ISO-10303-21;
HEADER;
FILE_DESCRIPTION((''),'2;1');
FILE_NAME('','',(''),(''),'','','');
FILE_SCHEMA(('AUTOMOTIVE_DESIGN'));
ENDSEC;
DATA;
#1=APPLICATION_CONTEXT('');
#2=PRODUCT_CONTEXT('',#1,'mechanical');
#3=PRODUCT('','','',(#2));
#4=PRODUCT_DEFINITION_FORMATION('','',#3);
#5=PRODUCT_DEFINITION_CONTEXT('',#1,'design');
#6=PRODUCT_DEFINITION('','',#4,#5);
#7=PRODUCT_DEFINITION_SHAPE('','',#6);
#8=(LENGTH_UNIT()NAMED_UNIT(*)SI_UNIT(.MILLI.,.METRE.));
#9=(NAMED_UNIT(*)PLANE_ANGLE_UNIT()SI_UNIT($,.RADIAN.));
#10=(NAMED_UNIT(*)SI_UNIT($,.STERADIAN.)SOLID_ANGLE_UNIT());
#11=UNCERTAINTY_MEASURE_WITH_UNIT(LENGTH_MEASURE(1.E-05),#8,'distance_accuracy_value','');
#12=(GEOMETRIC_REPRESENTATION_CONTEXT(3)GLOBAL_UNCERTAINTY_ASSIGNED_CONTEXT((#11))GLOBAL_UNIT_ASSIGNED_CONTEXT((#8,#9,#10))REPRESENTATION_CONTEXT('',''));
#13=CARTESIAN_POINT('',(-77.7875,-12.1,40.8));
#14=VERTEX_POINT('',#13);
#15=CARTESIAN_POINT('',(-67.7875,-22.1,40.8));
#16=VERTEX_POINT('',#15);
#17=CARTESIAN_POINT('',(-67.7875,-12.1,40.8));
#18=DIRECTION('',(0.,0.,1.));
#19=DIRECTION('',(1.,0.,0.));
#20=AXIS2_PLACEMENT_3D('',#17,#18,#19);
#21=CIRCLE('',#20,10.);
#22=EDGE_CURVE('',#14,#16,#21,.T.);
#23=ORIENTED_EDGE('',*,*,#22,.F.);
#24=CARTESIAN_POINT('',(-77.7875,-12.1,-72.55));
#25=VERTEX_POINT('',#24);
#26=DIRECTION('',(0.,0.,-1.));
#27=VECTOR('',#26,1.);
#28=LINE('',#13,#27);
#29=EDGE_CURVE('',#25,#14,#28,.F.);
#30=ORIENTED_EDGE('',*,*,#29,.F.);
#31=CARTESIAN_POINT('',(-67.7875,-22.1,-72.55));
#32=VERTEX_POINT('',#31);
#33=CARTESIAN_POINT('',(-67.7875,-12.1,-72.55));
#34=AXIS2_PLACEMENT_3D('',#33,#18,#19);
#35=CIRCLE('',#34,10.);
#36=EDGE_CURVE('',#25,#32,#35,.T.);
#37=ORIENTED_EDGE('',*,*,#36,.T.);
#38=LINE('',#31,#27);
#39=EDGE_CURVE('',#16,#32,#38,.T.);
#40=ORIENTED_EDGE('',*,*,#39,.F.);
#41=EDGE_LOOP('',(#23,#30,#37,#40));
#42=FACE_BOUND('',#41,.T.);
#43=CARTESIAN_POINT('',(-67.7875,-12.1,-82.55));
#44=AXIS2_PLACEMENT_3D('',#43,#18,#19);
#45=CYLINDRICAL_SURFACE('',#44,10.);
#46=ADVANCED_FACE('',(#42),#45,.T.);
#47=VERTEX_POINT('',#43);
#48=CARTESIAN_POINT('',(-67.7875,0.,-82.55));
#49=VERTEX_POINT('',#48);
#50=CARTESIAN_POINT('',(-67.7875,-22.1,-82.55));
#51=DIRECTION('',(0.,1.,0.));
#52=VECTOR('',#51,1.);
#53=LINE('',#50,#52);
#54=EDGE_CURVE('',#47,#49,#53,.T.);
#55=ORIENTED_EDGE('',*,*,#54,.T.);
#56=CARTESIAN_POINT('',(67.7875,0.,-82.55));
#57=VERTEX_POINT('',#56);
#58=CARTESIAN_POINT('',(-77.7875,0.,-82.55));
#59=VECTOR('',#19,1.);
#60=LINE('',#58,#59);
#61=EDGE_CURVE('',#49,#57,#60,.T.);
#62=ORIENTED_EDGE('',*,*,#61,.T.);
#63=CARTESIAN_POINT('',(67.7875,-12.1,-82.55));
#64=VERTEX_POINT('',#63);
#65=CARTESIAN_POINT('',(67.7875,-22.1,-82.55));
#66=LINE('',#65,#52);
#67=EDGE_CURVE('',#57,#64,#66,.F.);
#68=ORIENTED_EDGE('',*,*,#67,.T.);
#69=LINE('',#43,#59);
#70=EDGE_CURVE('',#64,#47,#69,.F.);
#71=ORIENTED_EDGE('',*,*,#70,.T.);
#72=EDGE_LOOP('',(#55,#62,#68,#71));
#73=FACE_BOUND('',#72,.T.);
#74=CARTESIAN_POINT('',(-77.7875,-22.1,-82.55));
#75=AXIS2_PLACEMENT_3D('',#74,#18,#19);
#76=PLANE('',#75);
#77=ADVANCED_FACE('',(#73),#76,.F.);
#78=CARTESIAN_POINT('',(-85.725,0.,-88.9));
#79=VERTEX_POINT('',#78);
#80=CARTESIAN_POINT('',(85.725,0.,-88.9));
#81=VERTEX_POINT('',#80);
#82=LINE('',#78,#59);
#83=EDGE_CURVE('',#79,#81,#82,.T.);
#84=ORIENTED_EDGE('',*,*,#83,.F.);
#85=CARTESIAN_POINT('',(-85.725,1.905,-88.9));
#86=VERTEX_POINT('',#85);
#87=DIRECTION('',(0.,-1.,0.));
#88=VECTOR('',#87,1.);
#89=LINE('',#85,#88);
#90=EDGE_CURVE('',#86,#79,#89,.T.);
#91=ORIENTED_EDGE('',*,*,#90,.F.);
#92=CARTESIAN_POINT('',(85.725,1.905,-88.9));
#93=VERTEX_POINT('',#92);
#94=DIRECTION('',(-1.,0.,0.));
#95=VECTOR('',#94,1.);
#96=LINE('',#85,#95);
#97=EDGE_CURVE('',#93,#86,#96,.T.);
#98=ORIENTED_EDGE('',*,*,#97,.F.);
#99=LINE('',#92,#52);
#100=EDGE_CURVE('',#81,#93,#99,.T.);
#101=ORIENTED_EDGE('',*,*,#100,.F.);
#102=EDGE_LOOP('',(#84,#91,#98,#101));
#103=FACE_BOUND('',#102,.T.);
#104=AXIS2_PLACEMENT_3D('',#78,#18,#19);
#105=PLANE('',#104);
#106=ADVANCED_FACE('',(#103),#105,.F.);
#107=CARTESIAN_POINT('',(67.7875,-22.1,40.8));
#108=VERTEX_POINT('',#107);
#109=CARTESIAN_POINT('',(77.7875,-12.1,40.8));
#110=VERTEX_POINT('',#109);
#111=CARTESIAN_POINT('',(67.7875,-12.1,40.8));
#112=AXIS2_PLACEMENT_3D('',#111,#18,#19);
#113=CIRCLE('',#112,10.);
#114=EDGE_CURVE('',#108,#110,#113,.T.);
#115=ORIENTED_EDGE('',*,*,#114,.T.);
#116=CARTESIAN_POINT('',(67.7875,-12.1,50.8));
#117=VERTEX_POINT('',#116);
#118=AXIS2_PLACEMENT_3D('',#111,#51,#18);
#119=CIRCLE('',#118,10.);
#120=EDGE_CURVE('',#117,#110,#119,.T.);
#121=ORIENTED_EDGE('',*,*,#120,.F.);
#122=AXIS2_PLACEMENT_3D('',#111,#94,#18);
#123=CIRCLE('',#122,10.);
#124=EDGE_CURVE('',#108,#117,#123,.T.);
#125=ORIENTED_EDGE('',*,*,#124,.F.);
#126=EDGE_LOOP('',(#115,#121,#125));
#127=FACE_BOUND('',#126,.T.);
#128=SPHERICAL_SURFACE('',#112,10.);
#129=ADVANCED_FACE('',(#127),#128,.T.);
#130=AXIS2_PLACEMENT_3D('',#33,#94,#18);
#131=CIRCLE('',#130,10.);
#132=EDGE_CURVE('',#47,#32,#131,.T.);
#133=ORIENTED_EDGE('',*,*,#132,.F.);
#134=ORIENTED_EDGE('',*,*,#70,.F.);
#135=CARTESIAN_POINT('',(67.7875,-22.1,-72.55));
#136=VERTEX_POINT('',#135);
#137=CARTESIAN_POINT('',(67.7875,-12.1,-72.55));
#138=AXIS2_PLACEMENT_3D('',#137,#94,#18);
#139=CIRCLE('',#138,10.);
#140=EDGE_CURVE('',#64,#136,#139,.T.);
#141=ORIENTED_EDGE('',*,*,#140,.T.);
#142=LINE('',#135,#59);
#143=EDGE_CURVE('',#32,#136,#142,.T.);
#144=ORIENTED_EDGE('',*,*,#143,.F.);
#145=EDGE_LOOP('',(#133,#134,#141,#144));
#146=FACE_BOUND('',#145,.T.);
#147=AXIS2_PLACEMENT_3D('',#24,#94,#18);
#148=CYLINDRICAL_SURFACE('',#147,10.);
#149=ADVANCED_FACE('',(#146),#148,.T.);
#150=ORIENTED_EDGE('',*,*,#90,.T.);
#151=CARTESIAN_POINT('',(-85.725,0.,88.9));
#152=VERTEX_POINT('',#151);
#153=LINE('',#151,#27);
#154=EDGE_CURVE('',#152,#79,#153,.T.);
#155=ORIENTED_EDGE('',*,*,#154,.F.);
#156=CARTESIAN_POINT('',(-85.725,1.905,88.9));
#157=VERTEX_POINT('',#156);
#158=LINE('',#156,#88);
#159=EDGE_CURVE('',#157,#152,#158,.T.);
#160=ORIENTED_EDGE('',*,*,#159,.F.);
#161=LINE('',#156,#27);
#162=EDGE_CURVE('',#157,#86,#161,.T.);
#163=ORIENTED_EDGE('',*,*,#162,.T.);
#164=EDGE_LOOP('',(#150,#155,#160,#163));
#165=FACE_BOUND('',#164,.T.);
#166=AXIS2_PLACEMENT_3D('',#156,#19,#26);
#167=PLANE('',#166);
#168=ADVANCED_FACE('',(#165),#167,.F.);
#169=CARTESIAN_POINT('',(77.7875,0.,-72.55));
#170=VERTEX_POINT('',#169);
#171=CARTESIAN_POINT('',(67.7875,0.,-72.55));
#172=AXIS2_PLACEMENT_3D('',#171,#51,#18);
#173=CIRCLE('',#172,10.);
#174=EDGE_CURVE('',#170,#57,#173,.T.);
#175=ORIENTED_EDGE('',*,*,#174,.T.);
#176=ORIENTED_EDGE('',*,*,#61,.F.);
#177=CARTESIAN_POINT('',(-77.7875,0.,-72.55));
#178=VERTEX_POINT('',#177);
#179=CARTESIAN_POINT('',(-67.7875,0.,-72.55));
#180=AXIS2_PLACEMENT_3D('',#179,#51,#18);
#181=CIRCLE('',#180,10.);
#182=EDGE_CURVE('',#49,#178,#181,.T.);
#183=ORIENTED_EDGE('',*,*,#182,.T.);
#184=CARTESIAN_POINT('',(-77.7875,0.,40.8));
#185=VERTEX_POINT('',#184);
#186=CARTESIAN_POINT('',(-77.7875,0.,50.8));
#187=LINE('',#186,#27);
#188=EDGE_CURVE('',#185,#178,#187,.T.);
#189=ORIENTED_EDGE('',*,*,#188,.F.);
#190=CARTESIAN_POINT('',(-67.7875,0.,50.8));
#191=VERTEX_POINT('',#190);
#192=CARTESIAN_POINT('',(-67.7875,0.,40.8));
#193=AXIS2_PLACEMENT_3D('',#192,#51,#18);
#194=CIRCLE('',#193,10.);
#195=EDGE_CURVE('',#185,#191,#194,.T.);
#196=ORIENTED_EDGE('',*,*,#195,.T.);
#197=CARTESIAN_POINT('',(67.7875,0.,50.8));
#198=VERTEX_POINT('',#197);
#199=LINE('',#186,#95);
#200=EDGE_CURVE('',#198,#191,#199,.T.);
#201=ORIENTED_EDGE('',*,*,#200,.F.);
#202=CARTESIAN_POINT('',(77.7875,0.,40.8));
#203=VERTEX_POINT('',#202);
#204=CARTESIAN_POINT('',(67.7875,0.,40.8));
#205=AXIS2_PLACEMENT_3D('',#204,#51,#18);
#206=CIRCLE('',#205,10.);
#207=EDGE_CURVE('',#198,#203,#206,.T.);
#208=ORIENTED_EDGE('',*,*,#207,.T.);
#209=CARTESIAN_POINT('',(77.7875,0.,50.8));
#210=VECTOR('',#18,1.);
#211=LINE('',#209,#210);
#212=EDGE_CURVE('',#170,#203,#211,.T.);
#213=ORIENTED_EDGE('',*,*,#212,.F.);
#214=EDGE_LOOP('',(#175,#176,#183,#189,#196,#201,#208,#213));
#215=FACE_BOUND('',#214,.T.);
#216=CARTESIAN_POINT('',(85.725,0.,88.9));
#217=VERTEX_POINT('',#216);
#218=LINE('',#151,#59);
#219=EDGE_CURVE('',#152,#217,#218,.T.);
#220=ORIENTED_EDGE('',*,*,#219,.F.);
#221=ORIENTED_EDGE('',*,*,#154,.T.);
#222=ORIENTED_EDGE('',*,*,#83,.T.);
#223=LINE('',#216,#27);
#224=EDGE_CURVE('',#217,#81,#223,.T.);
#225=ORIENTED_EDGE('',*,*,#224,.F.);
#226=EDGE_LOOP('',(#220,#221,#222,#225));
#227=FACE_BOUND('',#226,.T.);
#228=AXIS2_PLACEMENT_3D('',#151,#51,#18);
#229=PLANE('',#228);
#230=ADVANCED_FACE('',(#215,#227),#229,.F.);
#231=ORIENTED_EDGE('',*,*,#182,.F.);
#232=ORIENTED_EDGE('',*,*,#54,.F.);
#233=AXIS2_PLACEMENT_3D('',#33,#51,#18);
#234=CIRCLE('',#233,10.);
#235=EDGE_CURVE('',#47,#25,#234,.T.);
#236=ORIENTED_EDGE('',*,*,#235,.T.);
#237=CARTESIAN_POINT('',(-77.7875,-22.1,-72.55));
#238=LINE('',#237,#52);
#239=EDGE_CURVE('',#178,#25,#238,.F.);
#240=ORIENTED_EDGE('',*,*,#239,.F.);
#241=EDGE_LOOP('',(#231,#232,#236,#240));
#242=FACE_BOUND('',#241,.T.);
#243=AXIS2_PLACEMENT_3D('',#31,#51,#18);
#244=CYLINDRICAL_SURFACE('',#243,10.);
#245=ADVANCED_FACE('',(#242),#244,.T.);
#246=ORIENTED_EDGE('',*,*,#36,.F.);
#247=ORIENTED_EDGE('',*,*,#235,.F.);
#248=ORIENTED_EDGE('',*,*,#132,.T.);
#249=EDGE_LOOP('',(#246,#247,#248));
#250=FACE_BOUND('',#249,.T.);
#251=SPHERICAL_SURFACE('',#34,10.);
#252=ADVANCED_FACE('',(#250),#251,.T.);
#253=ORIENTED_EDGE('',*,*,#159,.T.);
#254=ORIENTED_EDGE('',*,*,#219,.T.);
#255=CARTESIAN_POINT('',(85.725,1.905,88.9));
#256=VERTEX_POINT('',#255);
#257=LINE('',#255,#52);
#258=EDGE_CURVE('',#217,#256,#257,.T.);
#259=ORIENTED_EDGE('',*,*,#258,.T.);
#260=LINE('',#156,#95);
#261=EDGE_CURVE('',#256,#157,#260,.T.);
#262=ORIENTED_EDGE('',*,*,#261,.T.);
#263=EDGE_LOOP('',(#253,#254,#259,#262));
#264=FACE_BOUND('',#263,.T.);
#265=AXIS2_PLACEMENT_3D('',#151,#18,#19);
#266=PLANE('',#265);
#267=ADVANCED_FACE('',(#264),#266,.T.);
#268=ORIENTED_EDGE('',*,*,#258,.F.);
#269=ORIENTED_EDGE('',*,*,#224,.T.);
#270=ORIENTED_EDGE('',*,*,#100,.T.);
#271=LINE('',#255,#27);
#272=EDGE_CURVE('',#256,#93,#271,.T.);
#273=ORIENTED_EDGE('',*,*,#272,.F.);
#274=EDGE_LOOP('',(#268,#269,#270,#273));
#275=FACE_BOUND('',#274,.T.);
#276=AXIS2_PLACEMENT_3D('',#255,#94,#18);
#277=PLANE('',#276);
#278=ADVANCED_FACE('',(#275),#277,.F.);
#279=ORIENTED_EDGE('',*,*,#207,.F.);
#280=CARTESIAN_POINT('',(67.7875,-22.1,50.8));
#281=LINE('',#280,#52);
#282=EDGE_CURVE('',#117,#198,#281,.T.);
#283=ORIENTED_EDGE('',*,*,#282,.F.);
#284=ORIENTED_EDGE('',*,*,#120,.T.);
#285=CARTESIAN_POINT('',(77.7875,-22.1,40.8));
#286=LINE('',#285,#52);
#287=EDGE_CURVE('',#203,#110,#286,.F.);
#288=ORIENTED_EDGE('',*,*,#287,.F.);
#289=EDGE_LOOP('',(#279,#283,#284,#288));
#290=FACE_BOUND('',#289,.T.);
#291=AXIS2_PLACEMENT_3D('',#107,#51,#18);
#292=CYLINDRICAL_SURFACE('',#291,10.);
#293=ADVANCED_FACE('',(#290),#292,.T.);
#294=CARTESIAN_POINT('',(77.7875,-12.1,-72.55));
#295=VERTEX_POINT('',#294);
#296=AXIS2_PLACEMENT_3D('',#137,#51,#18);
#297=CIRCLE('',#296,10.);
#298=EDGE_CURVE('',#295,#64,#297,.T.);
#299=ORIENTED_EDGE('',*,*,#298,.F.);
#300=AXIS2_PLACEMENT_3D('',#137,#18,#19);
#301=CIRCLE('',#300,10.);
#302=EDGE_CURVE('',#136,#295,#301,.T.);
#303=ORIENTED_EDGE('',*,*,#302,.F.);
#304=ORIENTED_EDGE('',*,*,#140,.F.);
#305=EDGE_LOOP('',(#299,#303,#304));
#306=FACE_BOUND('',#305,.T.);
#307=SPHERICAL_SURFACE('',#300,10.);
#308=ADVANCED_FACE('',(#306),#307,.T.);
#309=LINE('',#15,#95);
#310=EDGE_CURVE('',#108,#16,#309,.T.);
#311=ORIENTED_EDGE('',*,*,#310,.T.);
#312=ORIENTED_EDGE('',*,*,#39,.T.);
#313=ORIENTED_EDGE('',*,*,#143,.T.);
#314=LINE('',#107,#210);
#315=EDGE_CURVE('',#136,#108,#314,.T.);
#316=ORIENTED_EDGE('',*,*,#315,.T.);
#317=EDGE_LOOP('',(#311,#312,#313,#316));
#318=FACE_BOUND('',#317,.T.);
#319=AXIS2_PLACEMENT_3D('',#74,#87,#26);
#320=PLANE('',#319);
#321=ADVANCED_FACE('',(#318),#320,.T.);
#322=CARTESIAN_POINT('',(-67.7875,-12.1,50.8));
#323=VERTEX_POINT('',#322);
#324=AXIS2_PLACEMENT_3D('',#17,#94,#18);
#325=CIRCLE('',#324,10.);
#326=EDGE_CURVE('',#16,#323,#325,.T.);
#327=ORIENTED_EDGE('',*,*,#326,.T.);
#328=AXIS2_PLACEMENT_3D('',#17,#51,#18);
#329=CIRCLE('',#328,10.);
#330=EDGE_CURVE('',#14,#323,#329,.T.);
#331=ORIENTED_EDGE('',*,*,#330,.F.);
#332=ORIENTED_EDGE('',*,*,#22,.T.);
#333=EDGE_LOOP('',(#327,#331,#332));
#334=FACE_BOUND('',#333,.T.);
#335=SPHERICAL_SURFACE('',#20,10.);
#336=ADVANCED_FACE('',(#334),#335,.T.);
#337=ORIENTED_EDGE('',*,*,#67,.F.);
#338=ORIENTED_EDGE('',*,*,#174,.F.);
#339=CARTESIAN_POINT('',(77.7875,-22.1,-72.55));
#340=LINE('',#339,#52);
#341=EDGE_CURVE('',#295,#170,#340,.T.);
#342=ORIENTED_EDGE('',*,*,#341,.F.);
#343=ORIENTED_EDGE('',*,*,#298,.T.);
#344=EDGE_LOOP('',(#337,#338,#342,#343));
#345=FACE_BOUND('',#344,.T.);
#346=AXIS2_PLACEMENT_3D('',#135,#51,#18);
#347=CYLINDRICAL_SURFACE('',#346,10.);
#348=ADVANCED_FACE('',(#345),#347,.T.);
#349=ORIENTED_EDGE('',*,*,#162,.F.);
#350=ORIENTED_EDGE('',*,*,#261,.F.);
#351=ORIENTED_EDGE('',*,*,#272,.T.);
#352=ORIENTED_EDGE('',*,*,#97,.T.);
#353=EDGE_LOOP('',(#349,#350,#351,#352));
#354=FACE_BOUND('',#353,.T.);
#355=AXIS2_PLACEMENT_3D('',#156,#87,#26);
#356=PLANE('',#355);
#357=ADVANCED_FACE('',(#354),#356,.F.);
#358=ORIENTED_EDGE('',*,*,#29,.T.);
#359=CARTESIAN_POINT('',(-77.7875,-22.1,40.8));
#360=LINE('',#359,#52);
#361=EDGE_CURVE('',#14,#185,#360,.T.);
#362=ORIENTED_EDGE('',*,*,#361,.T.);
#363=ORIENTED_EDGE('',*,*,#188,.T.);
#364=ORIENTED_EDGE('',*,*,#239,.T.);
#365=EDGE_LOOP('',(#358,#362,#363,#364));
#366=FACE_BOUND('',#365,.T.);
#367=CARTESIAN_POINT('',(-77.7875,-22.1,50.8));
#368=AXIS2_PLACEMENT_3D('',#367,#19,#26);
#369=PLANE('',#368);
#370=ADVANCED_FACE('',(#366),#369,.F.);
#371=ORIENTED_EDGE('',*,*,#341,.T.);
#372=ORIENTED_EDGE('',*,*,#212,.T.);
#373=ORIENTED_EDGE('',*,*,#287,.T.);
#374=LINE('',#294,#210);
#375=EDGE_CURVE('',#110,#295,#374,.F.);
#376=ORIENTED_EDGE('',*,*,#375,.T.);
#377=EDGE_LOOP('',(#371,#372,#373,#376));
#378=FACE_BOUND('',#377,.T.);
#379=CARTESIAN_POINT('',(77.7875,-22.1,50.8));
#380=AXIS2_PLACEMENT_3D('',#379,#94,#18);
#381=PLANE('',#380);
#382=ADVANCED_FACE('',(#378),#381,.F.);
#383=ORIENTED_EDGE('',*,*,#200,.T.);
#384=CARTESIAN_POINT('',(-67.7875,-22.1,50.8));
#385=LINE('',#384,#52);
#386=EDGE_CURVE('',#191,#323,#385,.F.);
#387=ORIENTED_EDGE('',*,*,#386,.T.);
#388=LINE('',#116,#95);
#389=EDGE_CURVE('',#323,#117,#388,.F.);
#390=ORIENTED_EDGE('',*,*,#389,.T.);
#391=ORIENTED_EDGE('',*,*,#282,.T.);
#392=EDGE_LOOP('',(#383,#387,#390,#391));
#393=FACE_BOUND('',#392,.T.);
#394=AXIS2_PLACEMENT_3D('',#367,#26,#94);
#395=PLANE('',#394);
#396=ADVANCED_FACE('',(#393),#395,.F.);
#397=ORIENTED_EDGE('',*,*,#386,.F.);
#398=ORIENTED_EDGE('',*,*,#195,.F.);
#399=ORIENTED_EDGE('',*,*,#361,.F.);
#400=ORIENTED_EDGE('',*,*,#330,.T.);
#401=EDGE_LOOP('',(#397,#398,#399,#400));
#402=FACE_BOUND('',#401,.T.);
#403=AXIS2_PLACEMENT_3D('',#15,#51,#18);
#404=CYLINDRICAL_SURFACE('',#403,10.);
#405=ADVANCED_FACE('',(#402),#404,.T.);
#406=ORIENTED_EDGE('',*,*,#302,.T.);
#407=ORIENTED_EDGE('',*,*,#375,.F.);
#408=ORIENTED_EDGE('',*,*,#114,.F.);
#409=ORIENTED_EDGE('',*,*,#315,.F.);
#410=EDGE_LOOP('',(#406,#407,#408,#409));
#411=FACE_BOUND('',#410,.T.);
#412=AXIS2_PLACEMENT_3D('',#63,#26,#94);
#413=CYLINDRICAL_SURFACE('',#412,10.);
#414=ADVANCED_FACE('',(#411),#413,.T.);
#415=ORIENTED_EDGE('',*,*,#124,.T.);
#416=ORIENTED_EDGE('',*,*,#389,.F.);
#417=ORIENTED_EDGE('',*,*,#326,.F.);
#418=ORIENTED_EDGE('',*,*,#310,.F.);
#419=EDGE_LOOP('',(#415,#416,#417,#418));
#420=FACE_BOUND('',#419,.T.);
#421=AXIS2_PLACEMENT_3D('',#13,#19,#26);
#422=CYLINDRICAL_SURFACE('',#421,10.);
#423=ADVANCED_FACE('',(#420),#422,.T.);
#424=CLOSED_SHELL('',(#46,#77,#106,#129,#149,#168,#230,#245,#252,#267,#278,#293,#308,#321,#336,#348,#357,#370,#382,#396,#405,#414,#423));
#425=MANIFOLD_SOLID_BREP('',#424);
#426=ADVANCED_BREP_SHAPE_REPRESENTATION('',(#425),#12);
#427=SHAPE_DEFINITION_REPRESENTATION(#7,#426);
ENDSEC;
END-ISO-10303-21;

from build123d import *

# Parameters (mm, degrees)
SKETCH1_W      = 171.45
SKETCH1_H      = 1.905
EXTRUDE1_DEPTH = 88.9
SKETCH2_W      = 155.575
SKETCH2_H      = 133.35
EXTRUDE2_DEPTH = 22.1
FILLET1_R      = 10
FILLET2_R      = 10


with BuildPart() as part:
    # Sketch1 → Extrude1 (new body, symmetric)
    with BuildSketch(Plane.XY):
        with Locations((0, 0.9525)):
            Rectangle(SKETCH1_W, SKETCH1_H)
    extrude(amount=EXTRUDE1_DEPTH, both=True)

    # Sketch2 → Extrude2 (add)
    with BuildSketch(Plane.XZ):
        with Locations((0, -15.875)):
            Rectangle(SKETCH2_W, SKETCH2_H)
    extrude(amount=EXTRUDE2_DEPTH)

    # Fillet1
    fillet1_edges = [part.edges().sort_by_distance(p)[0] for p in [
        (-77.7875, -11.05, 50.8),
        (-77.7875, -11.05, -82.55),
        (77.7875, -11.05, -82.55),
        (77.7875, -11.05, 50.8),
    ]]
    fillet(fillet1_edges, radius=FILLET1_R)

    # Fillet2
    fillet2_edges = [part.edges().sort_by_distance(p)[0] for p in [
        (0, -22.1, -82.55),
        (-77.7875, -22.1, -15.875),
        (77.7875, -22.1, -15.875),
        (0, -22.1, 50.8),
        (-74.858567812, -22.1, 47.871067812),
        (74.858567812, -22.1, 47.871067812),
        (74.858567812, -22.1, -79.621067812),
        (-74.858567812, -22.1, -79.621067812),
    ]]
    fillet(fillet2_edges, radius=FILLET2_R)


solid = part.part
